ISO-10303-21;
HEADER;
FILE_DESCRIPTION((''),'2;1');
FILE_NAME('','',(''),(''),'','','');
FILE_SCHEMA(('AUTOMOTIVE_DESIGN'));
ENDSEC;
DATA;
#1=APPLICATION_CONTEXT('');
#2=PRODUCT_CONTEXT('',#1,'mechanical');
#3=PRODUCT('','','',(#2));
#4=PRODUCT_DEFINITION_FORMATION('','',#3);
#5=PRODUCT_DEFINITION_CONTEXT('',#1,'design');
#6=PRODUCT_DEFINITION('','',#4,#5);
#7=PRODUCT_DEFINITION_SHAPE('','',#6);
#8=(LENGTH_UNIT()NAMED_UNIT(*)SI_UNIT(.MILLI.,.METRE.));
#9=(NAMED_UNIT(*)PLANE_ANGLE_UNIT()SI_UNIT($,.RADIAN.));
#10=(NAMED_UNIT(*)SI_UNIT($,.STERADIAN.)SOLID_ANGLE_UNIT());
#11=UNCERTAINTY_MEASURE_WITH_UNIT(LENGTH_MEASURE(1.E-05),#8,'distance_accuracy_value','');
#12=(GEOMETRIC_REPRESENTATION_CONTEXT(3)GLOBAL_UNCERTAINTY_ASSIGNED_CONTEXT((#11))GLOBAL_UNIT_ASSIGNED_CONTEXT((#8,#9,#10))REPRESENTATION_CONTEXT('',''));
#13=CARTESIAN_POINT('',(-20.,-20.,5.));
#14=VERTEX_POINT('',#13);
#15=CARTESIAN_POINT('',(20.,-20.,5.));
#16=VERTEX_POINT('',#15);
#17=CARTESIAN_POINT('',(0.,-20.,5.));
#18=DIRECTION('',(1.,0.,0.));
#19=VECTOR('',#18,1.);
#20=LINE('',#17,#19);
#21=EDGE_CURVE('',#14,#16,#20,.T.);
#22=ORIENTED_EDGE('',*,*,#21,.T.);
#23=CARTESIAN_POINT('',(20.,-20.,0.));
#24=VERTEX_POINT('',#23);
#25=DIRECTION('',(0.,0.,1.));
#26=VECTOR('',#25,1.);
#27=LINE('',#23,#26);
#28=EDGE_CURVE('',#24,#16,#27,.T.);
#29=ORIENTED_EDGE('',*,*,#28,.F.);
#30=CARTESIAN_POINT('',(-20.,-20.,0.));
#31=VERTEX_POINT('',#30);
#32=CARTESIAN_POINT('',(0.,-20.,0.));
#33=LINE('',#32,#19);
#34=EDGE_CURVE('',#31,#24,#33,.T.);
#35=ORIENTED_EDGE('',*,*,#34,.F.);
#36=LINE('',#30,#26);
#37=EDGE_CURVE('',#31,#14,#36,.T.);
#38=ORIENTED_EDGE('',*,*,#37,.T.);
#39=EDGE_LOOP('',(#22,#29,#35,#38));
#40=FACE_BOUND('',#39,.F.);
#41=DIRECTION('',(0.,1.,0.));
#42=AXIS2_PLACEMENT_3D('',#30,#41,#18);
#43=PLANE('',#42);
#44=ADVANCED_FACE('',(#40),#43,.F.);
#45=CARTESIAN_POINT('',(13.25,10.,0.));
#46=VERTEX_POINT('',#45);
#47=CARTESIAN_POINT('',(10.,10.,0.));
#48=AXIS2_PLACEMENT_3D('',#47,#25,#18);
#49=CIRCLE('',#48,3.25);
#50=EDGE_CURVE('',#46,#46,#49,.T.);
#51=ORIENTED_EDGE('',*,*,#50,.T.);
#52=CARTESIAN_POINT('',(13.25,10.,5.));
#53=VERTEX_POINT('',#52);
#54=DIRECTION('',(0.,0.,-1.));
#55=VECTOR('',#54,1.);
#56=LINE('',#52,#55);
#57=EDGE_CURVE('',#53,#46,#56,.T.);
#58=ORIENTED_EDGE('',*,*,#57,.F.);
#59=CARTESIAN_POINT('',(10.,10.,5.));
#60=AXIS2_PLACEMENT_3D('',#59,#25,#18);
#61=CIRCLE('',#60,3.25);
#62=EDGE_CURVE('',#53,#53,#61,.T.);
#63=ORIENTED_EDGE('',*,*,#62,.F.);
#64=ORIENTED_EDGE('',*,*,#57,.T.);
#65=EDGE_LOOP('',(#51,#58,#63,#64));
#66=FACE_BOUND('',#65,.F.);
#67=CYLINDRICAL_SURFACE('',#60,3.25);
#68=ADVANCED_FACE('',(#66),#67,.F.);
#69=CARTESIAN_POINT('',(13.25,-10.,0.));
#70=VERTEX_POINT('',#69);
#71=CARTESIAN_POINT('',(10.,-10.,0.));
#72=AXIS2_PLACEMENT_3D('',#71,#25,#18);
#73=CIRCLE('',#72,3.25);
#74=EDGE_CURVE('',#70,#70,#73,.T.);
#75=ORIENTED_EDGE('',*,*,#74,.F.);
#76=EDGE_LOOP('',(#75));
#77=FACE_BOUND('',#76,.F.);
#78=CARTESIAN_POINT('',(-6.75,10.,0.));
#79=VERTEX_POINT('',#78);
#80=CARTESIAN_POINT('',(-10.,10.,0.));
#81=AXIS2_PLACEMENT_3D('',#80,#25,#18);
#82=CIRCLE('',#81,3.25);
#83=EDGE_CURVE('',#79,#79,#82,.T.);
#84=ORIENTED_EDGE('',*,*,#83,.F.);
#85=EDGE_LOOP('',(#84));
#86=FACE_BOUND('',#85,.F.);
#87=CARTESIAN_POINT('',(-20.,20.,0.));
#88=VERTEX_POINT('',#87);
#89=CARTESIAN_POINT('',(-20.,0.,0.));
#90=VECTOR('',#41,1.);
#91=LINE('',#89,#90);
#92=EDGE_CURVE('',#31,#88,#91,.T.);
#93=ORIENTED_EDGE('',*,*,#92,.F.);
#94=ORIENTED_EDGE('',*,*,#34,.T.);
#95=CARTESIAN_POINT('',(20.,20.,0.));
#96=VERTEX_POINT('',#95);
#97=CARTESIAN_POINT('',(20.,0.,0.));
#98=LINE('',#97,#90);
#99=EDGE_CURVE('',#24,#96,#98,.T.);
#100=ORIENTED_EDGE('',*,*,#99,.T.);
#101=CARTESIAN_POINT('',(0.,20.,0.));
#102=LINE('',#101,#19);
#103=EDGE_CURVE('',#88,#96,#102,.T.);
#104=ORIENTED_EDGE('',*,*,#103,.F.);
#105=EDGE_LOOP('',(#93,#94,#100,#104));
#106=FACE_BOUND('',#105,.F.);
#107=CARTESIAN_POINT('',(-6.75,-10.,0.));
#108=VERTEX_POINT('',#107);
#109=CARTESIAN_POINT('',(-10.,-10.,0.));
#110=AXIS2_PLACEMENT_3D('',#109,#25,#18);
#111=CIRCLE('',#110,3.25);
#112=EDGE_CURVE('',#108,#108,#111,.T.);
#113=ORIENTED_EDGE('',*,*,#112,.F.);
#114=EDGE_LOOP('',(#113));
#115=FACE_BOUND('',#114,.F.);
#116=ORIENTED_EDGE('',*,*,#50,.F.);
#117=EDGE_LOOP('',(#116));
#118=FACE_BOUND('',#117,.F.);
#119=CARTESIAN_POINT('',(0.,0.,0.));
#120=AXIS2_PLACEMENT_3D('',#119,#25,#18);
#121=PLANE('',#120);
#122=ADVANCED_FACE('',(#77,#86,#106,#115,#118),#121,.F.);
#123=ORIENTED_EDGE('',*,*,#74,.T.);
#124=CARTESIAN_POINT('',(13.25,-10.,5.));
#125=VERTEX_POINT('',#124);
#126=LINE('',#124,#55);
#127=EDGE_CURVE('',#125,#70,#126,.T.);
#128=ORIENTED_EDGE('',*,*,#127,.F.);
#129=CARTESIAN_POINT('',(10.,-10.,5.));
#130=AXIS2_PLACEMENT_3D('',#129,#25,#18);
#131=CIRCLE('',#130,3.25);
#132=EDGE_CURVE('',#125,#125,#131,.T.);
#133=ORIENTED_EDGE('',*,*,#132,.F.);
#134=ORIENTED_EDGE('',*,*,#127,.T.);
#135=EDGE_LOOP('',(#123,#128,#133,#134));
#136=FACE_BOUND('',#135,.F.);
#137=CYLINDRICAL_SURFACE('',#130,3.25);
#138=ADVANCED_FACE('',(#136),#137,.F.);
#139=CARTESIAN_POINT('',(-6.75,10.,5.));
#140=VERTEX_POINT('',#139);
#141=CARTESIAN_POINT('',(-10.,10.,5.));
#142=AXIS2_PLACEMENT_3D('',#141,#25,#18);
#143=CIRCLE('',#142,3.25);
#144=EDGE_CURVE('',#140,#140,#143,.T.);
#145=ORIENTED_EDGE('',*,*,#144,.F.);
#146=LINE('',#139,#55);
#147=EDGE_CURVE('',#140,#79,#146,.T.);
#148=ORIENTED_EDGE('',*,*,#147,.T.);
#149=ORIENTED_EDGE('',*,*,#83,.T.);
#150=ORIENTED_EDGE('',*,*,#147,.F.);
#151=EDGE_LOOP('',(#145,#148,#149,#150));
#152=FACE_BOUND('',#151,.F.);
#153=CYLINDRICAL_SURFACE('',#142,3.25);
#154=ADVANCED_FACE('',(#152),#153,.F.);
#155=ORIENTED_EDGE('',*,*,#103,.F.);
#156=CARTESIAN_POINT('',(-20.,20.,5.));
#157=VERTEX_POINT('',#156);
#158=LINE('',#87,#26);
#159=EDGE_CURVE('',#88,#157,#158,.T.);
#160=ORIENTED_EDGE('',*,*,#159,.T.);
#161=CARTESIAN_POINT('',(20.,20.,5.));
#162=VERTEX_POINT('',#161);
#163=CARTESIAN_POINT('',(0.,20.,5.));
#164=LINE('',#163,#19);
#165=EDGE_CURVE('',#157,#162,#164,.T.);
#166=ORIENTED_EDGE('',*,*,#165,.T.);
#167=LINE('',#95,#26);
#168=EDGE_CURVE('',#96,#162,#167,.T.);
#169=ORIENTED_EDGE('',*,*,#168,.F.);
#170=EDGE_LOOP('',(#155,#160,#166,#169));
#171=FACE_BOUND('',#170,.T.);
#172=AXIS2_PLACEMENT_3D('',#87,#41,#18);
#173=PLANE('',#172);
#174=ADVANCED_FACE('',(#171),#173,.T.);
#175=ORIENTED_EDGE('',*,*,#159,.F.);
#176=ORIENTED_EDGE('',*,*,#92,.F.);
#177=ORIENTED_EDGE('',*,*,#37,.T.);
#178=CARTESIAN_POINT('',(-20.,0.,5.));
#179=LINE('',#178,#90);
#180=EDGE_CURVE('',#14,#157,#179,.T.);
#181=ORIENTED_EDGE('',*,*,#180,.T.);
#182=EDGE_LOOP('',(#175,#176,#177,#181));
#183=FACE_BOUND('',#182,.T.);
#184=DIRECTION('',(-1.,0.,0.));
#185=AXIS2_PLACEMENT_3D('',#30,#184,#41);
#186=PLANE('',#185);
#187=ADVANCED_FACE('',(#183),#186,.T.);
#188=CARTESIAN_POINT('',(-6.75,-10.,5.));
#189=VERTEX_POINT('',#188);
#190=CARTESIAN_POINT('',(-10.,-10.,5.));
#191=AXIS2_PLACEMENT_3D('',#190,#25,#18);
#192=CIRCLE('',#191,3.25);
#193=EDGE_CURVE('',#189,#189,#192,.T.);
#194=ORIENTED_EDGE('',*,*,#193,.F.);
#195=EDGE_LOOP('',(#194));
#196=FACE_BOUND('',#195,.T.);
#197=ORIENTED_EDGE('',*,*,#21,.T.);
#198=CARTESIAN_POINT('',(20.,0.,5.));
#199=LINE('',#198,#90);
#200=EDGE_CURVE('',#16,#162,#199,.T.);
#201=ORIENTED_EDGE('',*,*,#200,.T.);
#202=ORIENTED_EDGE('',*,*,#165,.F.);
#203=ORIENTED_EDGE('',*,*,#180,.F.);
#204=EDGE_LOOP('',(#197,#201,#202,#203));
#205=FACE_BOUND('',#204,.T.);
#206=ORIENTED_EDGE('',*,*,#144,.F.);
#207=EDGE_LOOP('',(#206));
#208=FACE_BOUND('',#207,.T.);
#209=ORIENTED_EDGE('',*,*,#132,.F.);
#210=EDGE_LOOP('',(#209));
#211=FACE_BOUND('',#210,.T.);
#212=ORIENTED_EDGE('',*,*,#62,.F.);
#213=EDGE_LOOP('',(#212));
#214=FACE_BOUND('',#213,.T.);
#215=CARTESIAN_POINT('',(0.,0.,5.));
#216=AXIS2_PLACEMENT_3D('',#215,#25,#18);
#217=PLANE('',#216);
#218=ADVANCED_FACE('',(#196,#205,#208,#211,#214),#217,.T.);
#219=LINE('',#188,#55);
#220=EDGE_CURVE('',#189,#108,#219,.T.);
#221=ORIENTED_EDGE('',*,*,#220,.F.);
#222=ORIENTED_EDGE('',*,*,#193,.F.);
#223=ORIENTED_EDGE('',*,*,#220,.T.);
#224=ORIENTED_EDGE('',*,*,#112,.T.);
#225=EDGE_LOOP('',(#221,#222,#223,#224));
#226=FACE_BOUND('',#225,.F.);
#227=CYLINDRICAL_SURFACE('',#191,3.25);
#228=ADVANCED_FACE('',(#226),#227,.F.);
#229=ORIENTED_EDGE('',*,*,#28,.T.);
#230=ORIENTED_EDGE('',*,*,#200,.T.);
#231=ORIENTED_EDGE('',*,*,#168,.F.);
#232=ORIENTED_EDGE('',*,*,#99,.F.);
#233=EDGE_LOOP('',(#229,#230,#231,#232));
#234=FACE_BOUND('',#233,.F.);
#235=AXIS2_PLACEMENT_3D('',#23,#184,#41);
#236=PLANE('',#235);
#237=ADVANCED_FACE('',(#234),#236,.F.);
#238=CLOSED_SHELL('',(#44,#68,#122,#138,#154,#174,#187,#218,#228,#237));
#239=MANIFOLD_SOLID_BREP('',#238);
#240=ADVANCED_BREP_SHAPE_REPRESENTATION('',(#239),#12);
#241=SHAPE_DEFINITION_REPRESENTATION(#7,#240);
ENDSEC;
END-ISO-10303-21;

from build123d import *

# Parameters (mm, degrees)
SKETCH_W     = 40
SKETCH_H     = 40
PAD_DEPTH    = 5
SKETCH001_R  = 3.25
POCKET_DEPTH = 5


with BuildPart() as part:
    # Sketch → Pad (new body)
    with BuildSketch(Plane.XY):
        Rectangle(SKETCH_W, SKETCH_H)
    extrude(amount=PAD_DEPTH)

    # Sketch001 (on DatumPlane) → Pocket (cut)
    with BuildSketch(Plane.XY.offset(5)):
        with Locations((10, 10)):
            Circle(SKETCH001_R)
        with Locations((10, -10)):
            Circle(SKETCH001_R)
        with Locations((-10, -10)):
            Circle(SKETCH001_R)
        with Locations((-10, 10)):
            Circle(SKETCH001_R)
    extrude(amount=-POCKET_DEPTH, mode=Mode.SUBTRACT)


solid = part.part
